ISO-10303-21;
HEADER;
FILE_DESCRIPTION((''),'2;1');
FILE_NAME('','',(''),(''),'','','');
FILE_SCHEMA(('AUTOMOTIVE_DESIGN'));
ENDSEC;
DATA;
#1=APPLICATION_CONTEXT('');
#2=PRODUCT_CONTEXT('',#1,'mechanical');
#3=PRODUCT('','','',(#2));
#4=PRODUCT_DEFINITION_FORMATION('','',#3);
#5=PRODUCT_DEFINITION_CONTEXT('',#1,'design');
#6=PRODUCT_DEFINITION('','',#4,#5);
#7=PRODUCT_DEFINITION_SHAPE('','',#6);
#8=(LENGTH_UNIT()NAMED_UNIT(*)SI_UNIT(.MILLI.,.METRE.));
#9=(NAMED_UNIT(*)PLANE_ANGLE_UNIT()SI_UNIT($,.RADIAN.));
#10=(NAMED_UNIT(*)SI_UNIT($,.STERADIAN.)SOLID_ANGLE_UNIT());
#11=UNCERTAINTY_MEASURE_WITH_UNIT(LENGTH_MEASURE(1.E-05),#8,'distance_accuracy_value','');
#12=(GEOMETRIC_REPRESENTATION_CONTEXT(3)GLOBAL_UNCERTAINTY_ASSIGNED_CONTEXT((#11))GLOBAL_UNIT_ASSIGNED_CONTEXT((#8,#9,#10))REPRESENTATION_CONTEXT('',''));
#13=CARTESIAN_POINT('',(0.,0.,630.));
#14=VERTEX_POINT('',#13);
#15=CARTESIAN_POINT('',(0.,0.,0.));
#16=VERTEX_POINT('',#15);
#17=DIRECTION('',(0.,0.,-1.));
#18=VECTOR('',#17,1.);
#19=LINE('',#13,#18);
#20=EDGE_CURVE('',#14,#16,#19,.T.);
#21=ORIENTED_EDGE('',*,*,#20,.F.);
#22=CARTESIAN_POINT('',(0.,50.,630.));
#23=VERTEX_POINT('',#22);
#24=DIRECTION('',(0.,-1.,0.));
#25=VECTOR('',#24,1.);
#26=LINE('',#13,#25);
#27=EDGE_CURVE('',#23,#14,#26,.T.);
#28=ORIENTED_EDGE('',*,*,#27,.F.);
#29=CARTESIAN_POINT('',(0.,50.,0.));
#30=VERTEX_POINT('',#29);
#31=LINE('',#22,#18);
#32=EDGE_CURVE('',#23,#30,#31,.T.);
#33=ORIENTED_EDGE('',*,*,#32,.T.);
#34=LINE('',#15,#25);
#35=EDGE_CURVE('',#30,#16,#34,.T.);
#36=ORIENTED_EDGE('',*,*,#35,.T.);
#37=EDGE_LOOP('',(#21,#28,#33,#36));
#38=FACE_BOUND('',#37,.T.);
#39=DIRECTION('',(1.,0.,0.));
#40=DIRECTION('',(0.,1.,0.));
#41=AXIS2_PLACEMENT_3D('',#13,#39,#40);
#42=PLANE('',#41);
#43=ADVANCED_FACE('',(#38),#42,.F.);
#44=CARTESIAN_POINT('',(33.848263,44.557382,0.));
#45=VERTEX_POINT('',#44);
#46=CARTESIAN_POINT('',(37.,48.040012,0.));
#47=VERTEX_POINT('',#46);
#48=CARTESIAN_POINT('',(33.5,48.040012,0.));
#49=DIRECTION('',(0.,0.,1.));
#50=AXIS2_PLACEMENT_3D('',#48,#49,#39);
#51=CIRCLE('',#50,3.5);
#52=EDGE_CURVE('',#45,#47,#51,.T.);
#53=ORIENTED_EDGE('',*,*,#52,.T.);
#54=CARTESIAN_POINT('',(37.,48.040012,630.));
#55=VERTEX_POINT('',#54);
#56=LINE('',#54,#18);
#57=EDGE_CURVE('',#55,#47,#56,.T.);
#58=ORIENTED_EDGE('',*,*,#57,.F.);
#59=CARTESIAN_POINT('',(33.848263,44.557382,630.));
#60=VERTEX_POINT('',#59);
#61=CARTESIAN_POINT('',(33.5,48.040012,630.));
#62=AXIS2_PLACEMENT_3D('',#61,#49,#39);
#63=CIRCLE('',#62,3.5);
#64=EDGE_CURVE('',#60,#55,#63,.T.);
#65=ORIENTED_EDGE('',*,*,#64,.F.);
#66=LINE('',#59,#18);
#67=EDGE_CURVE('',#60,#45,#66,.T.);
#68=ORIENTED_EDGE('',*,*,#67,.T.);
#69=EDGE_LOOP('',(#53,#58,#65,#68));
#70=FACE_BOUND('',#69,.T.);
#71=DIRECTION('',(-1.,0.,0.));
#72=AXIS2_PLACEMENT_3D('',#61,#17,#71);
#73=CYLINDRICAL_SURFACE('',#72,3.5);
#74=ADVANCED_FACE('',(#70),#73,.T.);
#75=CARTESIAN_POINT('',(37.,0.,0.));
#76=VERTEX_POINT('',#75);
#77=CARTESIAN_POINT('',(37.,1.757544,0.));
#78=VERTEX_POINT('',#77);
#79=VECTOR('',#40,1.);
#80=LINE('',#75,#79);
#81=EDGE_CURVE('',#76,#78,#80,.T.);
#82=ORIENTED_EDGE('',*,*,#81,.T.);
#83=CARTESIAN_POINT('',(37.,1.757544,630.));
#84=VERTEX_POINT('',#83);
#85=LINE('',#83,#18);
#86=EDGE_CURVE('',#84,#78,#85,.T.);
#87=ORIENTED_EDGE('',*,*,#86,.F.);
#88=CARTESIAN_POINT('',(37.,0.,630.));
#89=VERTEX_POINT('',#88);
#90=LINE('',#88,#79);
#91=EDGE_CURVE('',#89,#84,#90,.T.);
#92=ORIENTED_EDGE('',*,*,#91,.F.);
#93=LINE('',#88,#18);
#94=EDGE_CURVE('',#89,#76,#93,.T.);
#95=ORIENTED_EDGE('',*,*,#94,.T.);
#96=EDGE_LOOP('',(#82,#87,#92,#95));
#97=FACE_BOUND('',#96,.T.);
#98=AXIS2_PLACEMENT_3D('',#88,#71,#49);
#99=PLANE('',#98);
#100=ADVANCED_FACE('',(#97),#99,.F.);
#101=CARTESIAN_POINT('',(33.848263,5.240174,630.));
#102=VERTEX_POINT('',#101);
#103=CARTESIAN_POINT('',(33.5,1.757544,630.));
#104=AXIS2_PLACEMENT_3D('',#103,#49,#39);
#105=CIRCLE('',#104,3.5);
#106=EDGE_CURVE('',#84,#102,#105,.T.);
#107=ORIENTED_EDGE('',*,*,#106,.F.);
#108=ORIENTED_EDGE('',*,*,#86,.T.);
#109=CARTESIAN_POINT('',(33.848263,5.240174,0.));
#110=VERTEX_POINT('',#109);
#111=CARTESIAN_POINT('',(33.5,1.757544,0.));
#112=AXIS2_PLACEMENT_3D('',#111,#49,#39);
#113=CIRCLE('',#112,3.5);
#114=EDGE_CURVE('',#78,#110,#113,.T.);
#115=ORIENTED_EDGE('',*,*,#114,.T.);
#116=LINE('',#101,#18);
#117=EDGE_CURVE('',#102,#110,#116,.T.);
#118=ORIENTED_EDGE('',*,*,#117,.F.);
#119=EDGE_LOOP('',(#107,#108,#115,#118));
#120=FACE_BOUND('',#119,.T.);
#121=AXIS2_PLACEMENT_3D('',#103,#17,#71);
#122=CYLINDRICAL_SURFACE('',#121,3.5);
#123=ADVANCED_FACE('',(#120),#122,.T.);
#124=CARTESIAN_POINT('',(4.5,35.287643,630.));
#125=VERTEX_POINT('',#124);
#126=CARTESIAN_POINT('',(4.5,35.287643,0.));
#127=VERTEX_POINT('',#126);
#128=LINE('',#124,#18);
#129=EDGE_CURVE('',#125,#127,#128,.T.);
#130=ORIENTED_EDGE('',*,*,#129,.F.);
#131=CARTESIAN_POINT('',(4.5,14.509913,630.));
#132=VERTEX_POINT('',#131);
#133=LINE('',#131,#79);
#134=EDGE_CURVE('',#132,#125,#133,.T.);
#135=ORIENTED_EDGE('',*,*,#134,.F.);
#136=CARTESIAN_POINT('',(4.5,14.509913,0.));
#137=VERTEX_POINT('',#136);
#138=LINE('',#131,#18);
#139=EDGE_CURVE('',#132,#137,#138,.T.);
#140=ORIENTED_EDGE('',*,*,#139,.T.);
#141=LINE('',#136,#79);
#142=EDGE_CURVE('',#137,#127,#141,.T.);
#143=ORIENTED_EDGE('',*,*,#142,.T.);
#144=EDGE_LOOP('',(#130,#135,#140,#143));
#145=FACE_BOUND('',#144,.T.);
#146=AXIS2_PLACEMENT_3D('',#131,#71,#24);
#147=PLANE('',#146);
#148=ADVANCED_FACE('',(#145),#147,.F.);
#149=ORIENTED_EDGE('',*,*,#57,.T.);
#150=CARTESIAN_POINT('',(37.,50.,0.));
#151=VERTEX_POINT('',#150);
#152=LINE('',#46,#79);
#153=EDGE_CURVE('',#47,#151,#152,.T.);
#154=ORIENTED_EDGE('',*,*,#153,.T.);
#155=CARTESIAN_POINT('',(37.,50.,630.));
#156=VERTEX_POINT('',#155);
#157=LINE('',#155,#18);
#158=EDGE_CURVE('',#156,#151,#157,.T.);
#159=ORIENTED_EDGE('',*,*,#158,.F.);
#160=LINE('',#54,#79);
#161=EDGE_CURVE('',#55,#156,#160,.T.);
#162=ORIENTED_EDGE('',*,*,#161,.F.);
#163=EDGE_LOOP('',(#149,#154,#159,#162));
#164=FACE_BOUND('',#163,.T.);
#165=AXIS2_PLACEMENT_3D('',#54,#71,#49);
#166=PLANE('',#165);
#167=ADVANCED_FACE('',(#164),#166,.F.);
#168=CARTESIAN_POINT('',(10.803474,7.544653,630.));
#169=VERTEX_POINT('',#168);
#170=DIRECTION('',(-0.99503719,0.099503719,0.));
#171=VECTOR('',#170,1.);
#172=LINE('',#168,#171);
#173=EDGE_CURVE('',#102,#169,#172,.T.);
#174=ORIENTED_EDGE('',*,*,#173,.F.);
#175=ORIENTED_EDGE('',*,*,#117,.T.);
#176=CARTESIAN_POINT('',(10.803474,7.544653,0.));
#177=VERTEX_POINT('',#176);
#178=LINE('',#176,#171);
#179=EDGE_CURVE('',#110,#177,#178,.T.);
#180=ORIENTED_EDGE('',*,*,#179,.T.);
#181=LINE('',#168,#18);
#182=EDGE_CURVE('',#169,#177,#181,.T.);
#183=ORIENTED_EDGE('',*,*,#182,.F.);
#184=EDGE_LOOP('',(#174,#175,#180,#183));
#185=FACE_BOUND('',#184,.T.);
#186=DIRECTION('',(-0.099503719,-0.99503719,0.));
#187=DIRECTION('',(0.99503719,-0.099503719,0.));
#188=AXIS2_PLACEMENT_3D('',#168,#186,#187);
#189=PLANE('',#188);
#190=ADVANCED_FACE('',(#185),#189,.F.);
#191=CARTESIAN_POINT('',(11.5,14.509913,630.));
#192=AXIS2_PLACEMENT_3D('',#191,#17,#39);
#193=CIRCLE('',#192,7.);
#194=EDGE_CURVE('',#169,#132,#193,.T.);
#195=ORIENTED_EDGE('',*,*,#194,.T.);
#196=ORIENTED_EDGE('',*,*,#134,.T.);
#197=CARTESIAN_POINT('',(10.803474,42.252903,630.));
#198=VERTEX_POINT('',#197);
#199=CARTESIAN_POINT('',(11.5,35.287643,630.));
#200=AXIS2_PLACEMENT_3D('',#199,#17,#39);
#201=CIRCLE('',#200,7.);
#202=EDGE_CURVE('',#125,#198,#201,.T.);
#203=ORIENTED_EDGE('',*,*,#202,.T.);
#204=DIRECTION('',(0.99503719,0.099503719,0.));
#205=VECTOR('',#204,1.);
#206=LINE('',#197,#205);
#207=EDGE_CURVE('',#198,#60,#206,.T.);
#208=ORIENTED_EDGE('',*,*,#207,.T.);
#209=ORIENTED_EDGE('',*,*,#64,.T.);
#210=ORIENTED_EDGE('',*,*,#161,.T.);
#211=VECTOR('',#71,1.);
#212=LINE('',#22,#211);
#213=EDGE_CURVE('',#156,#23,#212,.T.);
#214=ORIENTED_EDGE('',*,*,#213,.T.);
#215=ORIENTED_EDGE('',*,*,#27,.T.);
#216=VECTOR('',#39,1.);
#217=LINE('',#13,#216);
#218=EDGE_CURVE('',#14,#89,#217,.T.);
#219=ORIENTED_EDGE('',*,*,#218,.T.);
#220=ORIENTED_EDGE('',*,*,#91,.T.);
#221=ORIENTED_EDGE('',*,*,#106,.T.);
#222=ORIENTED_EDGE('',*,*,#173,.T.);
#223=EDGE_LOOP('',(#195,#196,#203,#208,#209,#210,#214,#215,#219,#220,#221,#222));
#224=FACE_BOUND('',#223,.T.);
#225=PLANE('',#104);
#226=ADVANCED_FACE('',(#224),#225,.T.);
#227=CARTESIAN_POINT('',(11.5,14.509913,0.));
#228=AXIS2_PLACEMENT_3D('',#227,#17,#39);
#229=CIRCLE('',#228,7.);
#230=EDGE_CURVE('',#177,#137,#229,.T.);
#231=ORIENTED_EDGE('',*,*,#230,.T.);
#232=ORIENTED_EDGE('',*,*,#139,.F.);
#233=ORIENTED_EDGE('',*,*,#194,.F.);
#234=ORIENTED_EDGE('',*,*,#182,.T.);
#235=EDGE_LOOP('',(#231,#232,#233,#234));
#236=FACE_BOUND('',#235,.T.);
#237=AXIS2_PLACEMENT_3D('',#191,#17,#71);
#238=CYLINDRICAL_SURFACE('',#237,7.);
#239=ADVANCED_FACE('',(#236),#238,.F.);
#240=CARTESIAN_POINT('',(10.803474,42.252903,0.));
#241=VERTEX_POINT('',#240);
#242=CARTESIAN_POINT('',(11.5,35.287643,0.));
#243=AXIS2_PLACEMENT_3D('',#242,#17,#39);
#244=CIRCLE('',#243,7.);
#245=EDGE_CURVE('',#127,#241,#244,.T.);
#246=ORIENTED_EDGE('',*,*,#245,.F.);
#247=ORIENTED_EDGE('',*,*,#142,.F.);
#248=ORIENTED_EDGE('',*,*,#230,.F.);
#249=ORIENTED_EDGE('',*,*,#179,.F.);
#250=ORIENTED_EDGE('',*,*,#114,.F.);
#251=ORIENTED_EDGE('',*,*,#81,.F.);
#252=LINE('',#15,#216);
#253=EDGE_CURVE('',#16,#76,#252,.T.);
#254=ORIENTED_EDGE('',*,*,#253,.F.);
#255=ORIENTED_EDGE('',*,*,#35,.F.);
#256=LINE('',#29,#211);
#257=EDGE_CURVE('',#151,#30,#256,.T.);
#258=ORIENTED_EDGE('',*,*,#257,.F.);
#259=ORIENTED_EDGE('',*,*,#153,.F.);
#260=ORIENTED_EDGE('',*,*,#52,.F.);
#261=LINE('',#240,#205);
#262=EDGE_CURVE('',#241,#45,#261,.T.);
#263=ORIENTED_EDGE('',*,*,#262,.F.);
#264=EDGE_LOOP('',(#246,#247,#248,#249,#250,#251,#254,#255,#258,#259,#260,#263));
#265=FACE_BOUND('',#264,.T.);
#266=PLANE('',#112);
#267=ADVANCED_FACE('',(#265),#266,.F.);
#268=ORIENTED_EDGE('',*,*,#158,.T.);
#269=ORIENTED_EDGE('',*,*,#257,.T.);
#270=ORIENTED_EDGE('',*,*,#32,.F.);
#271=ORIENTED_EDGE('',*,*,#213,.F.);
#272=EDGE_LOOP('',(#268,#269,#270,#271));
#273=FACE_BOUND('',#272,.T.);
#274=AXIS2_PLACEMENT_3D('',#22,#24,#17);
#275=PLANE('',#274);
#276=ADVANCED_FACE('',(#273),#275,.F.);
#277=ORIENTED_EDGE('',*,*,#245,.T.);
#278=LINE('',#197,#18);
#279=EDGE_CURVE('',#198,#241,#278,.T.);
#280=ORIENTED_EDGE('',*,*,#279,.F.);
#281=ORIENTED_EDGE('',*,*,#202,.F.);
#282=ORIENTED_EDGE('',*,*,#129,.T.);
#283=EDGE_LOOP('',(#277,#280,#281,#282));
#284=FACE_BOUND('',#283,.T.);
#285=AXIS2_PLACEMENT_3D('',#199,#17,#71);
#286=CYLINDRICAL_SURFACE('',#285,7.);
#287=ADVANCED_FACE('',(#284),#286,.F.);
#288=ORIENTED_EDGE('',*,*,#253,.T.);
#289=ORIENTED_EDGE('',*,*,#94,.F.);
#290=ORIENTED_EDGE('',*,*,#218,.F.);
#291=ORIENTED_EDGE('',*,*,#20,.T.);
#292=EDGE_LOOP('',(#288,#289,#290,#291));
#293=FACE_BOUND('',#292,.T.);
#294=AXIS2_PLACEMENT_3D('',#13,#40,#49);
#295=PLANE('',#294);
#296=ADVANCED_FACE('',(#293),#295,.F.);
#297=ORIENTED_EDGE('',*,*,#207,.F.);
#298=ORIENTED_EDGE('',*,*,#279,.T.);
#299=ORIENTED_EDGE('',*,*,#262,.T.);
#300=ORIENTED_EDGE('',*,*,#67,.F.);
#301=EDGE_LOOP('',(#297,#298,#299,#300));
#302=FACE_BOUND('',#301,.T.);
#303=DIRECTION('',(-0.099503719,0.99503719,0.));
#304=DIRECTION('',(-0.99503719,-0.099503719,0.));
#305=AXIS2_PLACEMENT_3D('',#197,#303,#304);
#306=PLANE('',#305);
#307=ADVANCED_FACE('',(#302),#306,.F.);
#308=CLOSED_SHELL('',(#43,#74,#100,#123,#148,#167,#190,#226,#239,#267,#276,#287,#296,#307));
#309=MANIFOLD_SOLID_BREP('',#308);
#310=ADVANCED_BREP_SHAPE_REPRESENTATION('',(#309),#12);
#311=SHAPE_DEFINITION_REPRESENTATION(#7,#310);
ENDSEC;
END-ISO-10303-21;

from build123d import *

# Parameters (mm, degrees)
EXTRUDE_1_DEPTH = 630


with BuildPart() as part:
    # 草图1 → 凸台-拉伸1 (new body)
    with BuildSketch(Plane.XY):
        with BuildLine():
            Line((0, 0), (0, 50))
            Line((0, 50), (37, 50))
            Line((37, 50), (37, 48.040012398))
            ThreePointArc((37, 48.040012398), (36.095083867, 45.691493776), (33.848263017, 44.557382233))
            Line((33.848263017, 44.557382233), (10.803473967, 42.252903328))
            ThreePointArc((10.803473967, 42.252903328), (6.309832265, 39.984680242), (4.5, 35.287642996))
            Line((4.5, 35.287642996), (4.5, 14.509912935))
            ThreePointArc((4.5, 14.509912935), (6.309832265, 9.812875689), (10.803473967, 7.544652603))
            Line((10.803473967, 7.544652603), (33.848263017, 5.240173698))
            ThreePointArc((33.848263017, 5.240173698), (36.095083867, 4.106062155), (37, 1.757543533))
            Line((37, 1.757543533), (37, 0))
            Line((37, 0), (0, 0))
        make_face()
    extrude(amount=EXTRUDE_1_DEPTH)


solid = part.part
